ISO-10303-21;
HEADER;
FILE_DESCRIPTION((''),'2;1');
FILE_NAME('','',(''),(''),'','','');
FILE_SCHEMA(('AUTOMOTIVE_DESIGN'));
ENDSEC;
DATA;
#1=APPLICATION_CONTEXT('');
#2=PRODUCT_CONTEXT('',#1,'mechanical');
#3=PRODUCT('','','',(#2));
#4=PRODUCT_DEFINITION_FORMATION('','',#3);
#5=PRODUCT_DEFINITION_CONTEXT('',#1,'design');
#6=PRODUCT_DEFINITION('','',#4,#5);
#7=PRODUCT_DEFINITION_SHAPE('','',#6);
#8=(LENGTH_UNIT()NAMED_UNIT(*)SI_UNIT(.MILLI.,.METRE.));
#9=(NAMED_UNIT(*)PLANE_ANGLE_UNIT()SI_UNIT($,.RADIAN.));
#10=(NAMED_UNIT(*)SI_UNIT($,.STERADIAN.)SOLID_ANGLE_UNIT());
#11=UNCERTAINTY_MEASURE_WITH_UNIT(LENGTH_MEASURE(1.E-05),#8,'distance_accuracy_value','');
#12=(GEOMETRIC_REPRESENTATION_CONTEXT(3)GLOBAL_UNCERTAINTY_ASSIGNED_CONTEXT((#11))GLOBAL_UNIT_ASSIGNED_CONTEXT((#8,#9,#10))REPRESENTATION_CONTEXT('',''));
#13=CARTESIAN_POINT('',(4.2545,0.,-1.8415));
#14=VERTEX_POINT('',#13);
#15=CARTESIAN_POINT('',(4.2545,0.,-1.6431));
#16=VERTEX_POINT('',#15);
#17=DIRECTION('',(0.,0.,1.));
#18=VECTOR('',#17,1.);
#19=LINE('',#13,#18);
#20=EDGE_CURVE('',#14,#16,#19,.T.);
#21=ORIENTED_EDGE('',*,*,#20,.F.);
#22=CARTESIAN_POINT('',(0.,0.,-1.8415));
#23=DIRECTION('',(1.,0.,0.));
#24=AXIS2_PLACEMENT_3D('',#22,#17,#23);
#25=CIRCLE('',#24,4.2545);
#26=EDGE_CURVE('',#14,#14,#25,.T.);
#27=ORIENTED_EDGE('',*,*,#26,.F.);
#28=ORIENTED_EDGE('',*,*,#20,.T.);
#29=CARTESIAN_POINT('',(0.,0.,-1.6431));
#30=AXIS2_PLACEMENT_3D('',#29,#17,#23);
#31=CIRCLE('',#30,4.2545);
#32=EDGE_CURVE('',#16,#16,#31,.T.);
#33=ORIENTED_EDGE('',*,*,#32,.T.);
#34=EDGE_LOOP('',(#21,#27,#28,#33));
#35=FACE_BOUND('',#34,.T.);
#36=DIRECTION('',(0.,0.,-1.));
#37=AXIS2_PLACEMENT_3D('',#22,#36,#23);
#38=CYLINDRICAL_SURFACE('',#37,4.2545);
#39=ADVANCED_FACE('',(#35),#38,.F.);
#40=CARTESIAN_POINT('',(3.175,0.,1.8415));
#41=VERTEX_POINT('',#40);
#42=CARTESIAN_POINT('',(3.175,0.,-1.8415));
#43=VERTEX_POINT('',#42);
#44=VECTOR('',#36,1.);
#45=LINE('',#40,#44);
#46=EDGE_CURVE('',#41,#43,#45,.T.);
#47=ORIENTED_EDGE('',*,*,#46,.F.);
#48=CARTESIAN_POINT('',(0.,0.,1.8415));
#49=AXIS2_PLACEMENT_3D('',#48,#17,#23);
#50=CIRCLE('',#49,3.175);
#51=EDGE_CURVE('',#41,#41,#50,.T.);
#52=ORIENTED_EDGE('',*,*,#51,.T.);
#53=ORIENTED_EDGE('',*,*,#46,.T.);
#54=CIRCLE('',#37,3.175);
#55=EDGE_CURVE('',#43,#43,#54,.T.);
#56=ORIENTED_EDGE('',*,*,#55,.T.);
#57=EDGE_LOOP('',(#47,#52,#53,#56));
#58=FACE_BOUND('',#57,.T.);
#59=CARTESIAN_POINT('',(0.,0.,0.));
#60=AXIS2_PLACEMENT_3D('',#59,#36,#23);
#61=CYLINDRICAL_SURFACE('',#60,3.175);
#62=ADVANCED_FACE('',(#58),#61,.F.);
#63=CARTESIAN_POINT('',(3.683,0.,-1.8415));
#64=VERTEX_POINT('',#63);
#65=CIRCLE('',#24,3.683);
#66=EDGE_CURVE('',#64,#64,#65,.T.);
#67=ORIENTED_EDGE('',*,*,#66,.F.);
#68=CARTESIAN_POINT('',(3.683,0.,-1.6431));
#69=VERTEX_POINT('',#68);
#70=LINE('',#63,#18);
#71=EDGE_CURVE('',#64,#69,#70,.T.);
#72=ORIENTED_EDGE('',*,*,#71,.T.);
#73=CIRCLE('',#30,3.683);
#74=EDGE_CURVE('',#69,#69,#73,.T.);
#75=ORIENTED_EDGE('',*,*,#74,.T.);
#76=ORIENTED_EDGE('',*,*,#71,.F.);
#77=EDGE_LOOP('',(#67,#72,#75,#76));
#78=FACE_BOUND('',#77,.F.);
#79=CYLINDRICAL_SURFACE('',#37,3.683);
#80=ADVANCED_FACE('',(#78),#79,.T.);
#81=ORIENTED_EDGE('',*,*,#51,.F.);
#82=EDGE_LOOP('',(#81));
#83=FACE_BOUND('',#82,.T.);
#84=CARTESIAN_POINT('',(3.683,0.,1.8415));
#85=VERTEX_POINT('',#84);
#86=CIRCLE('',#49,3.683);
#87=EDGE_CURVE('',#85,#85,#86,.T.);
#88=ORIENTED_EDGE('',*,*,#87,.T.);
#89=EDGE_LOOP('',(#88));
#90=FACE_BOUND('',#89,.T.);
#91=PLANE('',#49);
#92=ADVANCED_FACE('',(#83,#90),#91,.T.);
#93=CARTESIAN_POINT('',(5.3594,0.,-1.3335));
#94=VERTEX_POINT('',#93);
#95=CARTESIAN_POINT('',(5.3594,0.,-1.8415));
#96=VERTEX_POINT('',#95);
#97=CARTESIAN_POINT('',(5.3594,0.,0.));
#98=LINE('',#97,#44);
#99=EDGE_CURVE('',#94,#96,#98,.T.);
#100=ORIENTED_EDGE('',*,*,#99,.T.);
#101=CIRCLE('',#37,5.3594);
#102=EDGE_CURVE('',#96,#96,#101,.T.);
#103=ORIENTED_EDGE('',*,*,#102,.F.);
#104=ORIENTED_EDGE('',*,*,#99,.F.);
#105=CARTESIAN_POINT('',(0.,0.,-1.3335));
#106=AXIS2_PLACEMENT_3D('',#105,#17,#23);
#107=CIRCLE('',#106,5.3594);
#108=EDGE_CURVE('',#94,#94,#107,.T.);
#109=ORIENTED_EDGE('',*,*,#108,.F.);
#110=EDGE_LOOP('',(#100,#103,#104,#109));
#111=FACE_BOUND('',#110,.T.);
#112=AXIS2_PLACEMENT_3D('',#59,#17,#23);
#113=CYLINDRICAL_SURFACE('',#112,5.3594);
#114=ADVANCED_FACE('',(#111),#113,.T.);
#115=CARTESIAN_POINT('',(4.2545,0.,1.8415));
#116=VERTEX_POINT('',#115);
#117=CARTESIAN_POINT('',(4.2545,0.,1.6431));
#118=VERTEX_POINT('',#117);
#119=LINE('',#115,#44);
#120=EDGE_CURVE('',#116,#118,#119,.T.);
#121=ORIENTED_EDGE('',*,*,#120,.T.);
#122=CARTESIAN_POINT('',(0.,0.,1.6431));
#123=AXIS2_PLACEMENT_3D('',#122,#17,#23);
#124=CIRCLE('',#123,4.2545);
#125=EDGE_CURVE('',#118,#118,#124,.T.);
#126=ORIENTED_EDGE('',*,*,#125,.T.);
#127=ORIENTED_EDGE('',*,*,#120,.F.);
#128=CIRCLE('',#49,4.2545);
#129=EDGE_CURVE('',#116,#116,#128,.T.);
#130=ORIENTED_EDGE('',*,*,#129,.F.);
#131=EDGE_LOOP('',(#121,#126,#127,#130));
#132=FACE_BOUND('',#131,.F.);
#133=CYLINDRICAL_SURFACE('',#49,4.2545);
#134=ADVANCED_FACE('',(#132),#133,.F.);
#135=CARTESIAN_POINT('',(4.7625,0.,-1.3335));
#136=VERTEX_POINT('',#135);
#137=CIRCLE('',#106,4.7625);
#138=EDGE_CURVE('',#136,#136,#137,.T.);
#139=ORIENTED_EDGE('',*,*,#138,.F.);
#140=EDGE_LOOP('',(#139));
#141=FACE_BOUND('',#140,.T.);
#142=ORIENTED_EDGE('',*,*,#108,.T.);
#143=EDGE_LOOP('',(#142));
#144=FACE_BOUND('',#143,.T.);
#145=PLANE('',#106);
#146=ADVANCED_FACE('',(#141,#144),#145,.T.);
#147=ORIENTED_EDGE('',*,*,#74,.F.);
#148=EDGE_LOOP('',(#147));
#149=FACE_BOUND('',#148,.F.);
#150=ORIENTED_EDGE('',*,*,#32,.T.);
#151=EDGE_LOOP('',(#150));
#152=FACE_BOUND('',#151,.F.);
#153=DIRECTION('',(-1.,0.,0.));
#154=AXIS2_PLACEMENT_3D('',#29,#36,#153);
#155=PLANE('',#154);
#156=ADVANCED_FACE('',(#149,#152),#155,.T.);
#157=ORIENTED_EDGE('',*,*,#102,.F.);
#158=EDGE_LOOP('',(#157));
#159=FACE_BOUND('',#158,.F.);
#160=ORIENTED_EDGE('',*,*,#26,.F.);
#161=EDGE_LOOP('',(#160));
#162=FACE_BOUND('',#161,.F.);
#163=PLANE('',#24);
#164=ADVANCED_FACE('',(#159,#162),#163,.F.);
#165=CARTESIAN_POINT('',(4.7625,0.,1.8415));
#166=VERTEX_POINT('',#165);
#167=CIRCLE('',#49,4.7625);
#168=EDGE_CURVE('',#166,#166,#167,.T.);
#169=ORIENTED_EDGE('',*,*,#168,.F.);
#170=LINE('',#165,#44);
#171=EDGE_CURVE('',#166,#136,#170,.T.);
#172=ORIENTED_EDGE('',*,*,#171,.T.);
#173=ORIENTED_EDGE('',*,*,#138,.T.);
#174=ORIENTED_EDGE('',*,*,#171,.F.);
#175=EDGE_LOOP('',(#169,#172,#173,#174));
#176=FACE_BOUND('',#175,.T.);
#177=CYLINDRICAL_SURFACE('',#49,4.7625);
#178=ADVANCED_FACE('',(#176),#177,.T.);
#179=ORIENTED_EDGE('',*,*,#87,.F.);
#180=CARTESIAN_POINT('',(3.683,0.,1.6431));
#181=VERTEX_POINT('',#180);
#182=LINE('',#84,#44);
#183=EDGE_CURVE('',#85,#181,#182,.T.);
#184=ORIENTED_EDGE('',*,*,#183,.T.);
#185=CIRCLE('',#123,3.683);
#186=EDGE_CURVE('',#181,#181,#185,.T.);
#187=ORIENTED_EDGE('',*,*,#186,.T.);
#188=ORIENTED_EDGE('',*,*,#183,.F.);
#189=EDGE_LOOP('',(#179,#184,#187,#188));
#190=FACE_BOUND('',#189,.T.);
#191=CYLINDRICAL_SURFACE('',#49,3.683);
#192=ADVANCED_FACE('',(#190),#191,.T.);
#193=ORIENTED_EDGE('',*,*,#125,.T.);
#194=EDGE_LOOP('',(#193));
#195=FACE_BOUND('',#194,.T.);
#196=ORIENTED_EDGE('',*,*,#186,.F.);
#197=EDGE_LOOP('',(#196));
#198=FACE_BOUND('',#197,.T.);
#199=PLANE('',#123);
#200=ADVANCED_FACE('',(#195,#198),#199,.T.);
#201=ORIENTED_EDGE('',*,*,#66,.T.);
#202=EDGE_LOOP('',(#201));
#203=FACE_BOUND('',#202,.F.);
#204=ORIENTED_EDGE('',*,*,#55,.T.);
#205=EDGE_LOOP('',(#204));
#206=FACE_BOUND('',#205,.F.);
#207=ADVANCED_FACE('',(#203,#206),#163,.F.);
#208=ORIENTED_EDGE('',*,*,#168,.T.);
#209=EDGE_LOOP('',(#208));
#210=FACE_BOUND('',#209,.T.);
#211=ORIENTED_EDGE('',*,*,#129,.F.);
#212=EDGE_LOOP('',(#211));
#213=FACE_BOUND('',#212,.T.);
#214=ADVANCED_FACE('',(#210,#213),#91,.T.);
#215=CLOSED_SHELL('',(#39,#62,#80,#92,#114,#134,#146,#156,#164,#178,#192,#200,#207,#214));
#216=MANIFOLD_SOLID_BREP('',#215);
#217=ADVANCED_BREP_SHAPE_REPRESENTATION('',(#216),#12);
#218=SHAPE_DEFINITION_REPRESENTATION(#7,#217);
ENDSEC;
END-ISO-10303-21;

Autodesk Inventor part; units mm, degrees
ref_plane "YZ Plane" through (0, 0, 0) normal (1, 0, 0) x (0, 1, 0)
ref_plane "XZ Plane" through (0, 0, 0) normal (0, 1, 0) x (-1, 0, 0)
ref_plane "XY Plane" through (0, 0, 0) normal (0, 0, 1) x (1, 0, 0)
sketch "Sketch1" plane through (0, 0, 0) normal (0, 0, 1) x (1, 0, 0)
  line L0 (-7.5032, 0) -> (7.5032, 0) projected
  line L1 (0, -7.5032) -> (0, 7.5032) projected
  circle A0 centre (0, 0) radius 5.3594
  circle A1 centre (0, 0) radius 3.175
  dimension "d0" = 6.35
  dimension "d1" = 10.7188
extrude "Base" add sketch "Sketch1" along normal mid plane 3.683 contours A1 L1 A0 L0 | L0 A0 L1 A1 | A1 L0 A0 L1 | L1 A0 L0 A1
sketch "Sketch2" plane through (0, 0, 1.8415) normal (0, 0, 1) x (1, 0, 0)
  circle A0 centre (0, 0) radius 5.3594 projected
  circle A1 centre (0, 0) radius 4.7625
  dimension "d4" = 9.525
extrude "Flange Cutaway" cut sketch "Sketch2" against normal blind 3.175
sketch "Sketch3" plane through (0, 0, 1.8415) normal (0, 0, 1) x (1, 0, 0)
  circle A0 centre (0, 0) radius 3.175 projected
  circle A1 centre (0, 0) radius 4.7625 projected
  circle A2 centre (0, 0) radius 3.683
  circle A3 centre (0, 0) radius 4.2545
  dimension "d11" = 0.508
  dimension "d12" = 0.508
extrude "Cutaway" cut sketch "Sketch3" against normal blind 0.1984 contours A3
mirror "Mirror1" about plane through (0, 0, 0) normal (0, 0, 1) of "Cutaway"
properties part number "bearing_1.125OD" material "Steel"
